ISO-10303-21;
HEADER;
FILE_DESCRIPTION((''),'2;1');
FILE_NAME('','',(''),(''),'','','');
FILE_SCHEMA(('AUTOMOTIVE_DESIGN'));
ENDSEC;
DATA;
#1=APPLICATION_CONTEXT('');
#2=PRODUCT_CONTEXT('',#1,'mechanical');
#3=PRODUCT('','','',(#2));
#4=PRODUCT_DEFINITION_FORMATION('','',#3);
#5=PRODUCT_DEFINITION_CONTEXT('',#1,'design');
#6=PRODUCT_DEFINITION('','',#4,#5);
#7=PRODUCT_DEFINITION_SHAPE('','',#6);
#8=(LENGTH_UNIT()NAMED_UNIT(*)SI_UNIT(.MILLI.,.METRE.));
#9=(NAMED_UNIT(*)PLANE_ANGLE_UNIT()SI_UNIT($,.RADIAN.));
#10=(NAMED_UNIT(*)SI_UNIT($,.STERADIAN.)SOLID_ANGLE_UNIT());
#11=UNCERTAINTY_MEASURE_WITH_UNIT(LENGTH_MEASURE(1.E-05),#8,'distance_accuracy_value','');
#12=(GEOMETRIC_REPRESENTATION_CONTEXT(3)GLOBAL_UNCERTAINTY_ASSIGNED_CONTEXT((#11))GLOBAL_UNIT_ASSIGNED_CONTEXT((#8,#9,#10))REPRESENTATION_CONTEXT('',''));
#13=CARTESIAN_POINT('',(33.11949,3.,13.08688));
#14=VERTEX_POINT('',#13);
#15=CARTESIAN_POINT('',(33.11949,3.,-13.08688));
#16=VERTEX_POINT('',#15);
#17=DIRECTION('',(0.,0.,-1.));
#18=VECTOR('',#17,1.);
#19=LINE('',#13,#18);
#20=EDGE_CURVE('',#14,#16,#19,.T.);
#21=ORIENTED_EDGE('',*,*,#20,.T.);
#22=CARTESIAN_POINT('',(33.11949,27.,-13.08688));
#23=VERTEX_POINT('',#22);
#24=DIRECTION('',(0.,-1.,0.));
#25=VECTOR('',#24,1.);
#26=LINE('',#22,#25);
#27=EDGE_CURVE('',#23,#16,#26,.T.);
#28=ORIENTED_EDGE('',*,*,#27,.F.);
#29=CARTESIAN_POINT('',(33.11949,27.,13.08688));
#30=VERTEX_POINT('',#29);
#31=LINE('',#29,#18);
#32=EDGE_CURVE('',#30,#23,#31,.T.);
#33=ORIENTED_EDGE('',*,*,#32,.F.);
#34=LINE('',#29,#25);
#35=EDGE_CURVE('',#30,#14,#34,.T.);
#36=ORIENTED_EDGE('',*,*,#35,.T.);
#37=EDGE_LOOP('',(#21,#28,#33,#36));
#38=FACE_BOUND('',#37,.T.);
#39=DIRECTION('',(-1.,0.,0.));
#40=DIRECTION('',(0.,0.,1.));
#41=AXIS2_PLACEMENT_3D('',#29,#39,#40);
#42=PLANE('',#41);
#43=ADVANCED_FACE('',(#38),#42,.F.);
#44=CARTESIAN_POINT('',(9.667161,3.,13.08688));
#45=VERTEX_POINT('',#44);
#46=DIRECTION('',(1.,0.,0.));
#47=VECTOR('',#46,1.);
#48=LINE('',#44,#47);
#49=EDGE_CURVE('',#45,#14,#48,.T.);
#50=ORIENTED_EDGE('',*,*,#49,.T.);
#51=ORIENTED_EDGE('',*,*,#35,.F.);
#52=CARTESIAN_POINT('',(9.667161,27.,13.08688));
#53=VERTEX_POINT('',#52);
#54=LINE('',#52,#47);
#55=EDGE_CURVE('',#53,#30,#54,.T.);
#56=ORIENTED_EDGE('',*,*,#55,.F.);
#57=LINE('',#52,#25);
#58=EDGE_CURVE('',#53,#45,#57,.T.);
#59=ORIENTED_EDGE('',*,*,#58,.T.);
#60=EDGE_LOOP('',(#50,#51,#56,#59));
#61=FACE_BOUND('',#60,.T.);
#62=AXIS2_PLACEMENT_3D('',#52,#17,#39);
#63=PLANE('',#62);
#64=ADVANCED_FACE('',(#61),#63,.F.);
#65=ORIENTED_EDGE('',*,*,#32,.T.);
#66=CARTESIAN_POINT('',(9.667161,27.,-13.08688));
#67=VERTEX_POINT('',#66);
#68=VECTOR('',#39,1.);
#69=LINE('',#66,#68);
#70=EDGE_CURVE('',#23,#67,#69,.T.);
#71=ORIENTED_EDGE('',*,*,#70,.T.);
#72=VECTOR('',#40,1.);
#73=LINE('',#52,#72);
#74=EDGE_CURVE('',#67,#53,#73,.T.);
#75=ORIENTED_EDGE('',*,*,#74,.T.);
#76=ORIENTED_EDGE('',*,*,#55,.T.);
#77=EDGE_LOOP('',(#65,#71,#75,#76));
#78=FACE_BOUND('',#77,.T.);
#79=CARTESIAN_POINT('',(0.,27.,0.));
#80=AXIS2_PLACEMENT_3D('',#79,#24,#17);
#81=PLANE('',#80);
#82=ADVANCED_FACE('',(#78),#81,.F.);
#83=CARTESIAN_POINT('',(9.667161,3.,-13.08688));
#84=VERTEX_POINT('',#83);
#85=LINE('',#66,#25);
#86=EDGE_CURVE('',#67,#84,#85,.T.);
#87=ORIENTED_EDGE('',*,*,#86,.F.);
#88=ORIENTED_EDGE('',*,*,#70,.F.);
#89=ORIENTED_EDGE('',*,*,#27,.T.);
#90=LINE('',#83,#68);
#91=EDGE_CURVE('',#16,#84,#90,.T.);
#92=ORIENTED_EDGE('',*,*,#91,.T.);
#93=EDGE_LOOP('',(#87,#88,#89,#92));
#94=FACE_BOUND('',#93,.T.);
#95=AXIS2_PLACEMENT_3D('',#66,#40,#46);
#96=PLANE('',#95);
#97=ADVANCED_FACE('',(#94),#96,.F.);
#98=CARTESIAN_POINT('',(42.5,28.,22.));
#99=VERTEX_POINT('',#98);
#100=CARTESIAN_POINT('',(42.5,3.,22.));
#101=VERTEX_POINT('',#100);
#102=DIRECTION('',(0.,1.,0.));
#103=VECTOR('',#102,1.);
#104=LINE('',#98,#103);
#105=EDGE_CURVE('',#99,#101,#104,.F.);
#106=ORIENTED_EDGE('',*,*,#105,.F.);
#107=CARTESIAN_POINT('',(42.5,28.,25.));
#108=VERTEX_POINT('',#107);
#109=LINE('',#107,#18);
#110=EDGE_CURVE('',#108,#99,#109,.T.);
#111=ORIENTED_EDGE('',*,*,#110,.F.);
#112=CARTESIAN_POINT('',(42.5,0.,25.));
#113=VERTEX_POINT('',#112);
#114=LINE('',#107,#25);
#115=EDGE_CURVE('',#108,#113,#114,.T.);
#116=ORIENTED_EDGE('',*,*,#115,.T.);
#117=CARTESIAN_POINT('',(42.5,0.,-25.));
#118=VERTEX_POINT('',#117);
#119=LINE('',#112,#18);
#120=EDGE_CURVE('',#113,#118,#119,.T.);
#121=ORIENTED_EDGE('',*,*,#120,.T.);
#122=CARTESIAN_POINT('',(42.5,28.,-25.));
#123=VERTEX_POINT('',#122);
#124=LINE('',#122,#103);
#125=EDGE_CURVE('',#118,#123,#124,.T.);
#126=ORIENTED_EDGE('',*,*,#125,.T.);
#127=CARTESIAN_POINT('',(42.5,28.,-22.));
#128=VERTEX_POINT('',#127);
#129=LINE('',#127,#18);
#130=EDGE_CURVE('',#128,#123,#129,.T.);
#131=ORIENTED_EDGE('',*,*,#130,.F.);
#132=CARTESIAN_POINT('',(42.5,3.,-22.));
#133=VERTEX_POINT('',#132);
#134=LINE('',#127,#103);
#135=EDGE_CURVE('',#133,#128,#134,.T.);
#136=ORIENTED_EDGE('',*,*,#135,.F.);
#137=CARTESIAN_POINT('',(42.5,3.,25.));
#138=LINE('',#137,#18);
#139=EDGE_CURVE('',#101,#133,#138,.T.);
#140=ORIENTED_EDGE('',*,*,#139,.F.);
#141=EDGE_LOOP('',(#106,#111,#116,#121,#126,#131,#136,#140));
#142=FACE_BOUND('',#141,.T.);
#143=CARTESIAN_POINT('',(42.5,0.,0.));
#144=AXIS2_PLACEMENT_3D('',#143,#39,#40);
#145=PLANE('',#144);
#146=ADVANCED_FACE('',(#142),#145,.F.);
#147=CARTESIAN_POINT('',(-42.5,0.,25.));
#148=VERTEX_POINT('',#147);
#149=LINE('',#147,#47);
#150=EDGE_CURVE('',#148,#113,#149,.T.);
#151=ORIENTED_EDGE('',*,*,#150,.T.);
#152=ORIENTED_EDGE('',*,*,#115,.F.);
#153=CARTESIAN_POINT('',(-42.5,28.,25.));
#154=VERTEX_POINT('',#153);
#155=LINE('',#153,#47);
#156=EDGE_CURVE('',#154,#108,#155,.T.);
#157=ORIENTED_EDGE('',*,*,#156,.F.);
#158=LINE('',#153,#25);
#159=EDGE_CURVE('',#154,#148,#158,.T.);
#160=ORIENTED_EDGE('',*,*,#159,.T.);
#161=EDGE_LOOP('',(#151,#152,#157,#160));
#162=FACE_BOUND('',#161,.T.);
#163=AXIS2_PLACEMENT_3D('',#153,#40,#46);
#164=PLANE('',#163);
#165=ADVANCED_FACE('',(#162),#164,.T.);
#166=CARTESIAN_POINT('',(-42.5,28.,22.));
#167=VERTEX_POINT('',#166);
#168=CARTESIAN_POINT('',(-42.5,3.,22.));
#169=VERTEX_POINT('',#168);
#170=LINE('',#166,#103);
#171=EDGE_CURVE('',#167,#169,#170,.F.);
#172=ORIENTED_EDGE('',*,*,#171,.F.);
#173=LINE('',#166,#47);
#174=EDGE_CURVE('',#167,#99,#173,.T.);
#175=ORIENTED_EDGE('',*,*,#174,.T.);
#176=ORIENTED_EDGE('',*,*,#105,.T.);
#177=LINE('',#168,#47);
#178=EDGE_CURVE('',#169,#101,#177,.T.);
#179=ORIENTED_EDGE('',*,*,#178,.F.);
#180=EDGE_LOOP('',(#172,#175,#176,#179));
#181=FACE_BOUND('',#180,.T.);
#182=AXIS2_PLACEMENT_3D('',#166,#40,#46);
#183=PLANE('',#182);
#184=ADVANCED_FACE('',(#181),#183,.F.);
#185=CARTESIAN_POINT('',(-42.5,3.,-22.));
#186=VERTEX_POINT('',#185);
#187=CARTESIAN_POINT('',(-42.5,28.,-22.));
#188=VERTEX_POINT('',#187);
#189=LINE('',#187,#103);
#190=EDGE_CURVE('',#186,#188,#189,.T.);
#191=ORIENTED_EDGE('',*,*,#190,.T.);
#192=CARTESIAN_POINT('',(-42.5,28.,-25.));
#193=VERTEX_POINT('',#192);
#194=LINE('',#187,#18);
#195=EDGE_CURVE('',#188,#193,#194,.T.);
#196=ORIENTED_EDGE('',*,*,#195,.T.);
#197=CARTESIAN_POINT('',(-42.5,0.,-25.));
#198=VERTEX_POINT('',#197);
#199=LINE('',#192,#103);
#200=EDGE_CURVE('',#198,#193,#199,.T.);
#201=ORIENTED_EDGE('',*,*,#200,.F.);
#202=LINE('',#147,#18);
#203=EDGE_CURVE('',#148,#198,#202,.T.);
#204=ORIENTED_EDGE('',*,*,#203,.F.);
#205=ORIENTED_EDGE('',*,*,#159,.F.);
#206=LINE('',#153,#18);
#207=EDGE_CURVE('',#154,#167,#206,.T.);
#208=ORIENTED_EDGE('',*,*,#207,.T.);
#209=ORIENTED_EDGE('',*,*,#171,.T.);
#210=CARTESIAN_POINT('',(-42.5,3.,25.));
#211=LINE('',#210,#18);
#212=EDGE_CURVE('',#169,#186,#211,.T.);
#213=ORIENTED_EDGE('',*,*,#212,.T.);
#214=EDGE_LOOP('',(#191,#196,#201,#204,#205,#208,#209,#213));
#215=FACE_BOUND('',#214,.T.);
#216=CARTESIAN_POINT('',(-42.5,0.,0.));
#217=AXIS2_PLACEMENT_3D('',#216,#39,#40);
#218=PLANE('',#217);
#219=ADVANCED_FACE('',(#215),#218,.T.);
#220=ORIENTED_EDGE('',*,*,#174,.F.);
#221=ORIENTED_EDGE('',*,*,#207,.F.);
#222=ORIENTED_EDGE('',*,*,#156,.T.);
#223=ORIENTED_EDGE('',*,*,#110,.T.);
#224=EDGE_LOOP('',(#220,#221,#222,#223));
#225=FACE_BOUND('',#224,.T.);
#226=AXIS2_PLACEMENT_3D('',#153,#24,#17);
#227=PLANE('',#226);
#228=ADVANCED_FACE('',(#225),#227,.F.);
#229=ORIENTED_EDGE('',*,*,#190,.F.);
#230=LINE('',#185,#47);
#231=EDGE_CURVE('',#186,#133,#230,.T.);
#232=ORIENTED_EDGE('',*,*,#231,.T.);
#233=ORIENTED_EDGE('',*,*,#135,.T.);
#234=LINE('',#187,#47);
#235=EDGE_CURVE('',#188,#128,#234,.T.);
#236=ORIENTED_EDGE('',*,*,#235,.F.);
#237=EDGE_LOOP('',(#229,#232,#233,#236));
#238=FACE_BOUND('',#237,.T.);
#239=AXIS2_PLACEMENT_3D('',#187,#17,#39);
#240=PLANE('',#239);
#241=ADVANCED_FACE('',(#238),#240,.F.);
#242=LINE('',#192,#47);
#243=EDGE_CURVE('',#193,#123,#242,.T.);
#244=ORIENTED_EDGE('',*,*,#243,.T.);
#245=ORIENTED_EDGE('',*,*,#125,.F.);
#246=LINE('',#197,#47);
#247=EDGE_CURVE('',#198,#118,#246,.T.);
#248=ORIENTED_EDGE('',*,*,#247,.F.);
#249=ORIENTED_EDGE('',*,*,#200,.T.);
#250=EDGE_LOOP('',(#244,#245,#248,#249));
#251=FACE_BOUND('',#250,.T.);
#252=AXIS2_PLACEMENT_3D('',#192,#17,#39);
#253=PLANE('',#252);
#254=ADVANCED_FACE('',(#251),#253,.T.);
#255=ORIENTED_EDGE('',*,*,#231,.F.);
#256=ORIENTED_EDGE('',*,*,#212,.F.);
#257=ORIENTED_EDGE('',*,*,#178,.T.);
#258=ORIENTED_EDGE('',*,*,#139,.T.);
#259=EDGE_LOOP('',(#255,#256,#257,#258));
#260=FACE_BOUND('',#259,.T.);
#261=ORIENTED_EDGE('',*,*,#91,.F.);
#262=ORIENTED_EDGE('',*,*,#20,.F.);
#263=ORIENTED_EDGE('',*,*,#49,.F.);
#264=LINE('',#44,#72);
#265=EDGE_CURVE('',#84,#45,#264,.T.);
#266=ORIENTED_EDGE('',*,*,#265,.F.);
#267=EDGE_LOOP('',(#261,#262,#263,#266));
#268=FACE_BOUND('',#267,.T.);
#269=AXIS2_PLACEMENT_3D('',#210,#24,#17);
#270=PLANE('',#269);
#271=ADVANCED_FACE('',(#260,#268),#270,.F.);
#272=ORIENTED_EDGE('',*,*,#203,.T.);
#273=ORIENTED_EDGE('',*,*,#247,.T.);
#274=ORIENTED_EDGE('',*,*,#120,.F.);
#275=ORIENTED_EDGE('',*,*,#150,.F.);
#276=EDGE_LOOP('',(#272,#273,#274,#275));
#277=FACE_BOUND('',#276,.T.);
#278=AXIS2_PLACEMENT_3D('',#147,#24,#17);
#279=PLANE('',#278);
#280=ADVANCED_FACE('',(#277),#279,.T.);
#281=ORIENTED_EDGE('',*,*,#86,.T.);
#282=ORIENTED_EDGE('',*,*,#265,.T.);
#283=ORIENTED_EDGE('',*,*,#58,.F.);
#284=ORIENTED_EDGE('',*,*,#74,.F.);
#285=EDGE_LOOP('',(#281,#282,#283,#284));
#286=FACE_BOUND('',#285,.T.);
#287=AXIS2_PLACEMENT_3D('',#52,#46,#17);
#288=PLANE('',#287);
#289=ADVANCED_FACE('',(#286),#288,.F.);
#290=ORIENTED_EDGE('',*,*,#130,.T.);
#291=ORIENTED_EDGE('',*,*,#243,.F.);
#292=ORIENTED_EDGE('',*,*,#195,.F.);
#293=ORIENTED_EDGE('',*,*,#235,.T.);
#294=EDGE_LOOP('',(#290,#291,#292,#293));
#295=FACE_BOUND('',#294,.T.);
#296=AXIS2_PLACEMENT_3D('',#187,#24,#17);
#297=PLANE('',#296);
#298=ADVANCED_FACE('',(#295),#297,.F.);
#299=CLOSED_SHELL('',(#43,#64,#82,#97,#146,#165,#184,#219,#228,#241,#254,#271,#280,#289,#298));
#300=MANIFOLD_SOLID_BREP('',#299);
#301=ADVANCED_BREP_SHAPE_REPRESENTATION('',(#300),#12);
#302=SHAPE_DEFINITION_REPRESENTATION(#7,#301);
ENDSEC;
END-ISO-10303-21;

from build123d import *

# Parameters (mm, degrees)
EXTRUDE_1_DEPTH   = 42.5
SKETCH_2_W        = 23.452329067
SKETCH_2_H        = 26.173759744
EXTRUDE_1_2_DEPTH = 24


with BuildPart() as part:
    # 草图1 → Extrude 1 (new, symmetric)
    with BuildSketch(Plane(origin=(0, 0, 0), x_dir=(0, 0, -1), z_dir=(1, 0, 0))):
        Polygon((25, 28), (25, 0), (-25, 0), (-25, 28), (-22, 28), (-22, 3), (22, 3), (22, 28), align=None)
    extrude(amount=EXTRUDE_1_DEPTH, both=True)

    # 草图2 → Extrude 1 2 (add)
    with BuildSketch(Plane(origin=(0, 3, 0), x_dir=(1, 0, 0), z_dir=(0, 1, 0))):
        with Locations((21.393325716, 0)):
            Rectangle(SKETCH_2_W, SKETCH_2_H)
    extrude(amount=EXTRUDE_1_2_DEPTH)


solid = part.part
